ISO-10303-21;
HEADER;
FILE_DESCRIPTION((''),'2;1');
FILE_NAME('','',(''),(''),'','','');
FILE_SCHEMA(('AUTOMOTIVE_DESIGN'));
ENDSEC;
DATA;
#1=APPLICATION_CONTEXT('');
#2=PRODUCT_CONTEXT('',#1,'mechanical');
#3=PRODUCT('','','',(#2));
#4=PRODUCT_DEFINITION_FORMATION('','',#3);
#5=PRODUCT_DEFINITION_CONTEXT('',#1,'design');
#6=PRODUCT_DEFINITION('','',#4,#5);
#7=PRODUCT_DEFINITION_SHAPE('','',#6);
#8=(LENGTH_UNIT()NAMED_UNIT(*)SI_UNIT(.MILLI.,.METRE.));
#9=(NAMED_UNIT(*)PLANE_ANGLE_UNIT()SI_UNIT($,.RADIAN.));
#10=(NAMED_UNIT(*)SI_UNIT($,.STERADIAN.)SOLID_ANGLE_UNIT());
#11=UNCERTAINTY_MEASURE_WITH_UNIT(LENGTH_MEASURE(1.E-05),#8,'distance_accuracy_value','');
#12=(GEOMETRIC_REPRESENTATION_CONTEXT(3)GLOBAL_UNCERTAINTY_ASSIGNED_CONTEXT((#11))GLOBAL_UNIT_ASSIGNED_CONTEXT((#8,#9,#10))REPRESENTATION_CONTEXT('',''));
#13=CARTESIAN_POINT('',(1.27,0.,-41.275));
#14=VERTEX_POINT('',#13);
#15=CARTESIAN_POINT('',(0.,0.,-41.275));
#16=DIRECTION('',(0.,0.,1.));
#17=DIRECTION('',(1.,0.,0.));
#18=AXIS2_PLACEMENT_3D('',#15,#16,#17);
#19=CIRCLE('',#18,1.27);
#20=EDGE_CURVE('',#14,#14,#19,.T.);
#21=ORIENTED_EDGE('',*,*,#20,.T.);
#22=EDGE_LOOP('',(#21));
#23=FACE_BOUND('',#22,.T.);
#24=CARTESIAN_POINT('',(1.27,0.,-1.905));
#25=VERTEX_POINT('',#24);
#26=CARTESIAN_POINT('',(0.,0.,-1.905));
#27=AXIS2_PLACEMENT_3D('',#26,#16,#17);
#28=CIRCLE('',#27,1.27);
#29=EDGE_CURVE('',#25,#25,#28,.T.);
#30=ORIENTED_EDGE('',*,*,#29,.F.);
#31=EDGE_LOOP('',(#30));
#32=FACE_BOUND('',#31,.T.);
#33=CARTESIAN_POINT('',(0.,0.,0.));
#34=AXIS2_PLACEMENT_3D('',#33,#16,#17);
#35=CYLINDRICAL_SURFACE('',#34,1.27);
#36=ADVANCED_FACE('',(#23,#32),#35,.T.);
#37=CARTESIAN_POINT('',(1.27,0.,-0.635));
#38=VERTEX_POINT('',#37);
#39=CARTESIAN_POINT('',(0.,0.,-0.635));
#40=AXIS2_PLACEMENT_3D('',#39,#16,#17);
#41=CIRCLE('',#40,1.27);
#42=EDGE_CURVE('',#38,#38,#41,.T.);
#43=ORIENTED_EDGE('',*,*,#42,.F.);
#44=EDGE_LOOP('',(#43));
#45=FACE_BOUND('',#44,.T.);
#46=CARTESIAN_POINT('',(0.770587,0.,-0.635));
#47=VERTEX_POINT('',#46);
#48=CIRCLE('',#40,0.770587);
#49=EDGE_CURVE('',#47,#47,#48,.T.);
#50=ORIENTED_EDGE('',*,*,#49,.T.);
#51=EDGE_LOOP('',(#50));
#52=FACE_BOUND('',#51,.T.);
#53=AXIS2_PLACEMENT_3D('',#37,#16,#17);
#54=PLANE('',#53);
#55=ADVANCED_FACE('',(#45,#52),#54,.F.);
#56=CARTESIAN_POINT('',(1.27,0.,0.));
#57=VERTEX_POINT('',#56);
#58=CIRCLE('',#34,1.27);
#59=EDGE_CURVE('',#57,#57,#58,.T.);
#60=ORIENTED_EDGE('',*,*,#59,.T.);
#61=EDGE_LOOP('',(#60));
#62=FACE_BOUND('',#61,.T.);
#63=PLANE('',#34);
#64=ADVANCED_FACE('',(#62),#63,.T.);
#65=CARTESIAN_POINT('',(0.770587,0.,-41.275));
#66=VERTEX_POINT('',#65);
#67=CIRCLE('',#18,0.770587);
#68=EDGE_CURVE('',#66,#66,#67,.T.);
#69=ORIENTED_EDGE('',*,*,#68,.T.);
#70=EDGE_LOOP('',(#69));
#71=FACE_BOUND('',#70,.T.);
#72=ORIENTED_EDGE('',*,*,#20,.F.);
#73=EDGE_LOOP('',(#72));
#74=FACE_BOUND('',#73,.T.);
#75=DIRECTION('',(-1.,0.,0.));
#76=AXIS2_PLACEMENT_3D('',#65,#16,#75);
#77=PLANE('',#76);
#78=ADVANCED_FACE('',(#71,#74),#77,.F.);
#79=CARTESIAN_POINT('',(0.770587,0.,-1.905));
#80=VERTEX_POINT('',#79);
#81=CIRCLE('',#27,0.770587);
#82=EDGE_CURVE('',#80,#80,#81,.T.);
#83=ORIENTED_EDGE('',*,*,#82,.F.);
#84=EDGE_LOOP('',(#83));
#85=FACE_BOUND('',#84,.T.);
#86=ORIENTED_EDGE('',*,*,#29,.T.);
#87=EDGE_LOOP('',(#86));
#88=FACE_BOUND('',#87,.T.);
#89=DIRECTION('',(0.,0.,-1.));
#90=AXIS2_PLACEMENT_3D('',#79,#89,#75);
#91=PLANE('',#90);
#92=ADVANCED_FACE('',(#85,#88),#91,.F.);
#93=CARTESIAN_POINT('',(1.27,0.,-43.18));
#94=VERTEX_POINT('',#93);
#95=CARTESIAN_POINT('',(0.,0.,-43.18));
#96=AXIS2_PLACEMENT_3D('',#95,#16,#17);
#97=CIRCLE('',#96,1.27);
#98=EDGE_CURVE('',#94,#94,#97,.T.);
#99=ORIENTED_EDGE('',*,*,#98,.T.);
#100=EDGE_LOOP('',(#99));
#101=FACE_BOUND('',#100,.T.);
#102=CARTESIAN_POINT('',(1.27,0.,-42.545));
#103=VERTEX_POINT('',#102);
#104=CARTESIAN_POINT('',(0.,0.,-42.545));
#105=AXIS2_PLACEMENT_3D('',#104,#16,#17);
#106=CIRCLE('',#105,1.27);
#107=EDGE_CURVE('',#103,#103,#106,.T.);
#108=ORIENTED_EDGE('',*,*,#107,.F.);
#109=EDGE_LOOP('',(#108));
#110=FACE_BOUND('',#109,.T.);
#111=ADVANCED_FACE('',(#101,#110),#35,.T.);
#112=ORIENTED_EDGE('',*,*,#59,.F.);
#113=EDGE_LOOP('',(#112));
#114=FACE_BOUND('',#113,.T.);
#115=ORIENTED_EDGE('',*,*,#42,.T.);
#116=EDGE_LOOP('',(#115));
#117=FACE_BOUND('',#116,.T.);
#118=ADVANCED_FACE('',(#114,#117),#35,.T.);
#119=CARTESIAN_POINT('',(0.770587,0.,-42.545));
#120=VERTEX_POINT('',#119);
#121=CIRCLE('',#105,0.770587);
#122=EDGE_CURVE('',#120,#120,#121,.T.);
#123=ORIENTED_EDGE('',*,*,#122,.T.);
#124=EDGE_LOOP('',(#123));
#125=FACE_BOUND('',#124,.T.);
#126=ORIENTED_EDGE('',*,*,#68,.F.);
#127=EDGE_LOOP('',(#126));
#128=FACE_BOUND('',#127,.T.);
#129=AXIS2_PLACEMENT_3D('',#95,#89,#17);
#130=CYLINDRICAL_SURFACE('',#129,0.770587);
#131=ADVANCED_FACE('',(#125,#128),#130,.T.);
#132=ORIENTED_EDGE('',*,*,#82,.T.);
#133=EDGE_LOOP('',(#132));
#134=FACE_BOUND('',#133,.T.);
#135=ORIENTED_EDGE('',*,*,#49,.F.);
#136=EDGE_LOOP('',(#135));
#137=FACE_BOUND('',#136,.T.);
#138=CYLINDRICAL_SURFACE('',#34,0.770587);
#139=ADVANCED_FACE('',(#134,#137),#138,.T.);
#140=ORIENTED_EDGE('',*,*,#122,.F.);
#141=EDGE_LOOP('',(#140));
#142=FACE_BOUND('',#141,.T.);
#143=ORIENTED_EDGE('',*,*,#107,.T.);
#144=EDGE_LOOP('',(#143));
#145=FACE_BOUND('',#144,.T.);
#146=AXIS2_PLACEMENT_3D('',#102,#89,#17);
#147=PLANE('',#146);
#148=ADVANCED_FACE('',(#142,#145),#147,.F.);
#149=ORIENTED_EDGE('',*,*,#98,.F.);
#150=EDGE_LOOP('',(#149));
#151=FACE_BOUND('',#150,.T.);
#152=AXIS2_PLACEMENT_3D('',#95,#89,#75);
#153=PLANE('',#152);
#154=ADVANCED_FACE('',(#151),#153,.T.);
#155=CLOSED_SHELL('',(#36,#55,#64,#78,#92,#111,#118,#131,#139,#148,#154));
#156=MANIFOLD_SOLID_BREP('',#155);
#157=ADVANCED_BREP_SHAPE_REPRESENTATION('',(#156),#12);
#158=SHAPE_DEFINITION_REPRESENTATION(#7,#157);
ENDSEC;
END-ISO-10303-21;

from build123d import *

# Parameters (mm, degrees)
SKETCH2_W = 1.27
SKETCH2_H = 43.18
SKETCH3_W = 0.499412869
SKETCH3_H = 1.27


with BuildPart() as part:
    # Sketch2 → Revolve1 (revolve)
    with BuildSketch(Plane(origin=(0, 0, 0), x_dir=(1, 0, 0), z_dir=(0, 1, 0))):
        with Locations((0.635, 21.59)):
            Rectangle(SKETCH2_W, SKETCH2_H)
    revolve(axis=Axis((0, 0, 0), (0, 0, -1)))

    # Sketch3 → Cut-Revolve1 (revolve, cut)
    with BuildSketch(Plane(origin=(0, 0, 0), x_dir=(1, 0, 0), z_dir=(0, 1, 0))):
        with Locations((1.020293566, 1.27)):
            Rectangle(SKETCH3_W, SKETCH3_H)
    cut_revolve1 = revolve(axis=Axis((0, 0, 0), (0, 0, -1)), mode=Mode.SUBTRACT)

    # Mirror1: Cut-Revolve1 across plane
    add(cut_revolve1.mirror(Plane.XY.offset(-21.59)), mode=Mode.SUBTRACT)


solid = part.part
